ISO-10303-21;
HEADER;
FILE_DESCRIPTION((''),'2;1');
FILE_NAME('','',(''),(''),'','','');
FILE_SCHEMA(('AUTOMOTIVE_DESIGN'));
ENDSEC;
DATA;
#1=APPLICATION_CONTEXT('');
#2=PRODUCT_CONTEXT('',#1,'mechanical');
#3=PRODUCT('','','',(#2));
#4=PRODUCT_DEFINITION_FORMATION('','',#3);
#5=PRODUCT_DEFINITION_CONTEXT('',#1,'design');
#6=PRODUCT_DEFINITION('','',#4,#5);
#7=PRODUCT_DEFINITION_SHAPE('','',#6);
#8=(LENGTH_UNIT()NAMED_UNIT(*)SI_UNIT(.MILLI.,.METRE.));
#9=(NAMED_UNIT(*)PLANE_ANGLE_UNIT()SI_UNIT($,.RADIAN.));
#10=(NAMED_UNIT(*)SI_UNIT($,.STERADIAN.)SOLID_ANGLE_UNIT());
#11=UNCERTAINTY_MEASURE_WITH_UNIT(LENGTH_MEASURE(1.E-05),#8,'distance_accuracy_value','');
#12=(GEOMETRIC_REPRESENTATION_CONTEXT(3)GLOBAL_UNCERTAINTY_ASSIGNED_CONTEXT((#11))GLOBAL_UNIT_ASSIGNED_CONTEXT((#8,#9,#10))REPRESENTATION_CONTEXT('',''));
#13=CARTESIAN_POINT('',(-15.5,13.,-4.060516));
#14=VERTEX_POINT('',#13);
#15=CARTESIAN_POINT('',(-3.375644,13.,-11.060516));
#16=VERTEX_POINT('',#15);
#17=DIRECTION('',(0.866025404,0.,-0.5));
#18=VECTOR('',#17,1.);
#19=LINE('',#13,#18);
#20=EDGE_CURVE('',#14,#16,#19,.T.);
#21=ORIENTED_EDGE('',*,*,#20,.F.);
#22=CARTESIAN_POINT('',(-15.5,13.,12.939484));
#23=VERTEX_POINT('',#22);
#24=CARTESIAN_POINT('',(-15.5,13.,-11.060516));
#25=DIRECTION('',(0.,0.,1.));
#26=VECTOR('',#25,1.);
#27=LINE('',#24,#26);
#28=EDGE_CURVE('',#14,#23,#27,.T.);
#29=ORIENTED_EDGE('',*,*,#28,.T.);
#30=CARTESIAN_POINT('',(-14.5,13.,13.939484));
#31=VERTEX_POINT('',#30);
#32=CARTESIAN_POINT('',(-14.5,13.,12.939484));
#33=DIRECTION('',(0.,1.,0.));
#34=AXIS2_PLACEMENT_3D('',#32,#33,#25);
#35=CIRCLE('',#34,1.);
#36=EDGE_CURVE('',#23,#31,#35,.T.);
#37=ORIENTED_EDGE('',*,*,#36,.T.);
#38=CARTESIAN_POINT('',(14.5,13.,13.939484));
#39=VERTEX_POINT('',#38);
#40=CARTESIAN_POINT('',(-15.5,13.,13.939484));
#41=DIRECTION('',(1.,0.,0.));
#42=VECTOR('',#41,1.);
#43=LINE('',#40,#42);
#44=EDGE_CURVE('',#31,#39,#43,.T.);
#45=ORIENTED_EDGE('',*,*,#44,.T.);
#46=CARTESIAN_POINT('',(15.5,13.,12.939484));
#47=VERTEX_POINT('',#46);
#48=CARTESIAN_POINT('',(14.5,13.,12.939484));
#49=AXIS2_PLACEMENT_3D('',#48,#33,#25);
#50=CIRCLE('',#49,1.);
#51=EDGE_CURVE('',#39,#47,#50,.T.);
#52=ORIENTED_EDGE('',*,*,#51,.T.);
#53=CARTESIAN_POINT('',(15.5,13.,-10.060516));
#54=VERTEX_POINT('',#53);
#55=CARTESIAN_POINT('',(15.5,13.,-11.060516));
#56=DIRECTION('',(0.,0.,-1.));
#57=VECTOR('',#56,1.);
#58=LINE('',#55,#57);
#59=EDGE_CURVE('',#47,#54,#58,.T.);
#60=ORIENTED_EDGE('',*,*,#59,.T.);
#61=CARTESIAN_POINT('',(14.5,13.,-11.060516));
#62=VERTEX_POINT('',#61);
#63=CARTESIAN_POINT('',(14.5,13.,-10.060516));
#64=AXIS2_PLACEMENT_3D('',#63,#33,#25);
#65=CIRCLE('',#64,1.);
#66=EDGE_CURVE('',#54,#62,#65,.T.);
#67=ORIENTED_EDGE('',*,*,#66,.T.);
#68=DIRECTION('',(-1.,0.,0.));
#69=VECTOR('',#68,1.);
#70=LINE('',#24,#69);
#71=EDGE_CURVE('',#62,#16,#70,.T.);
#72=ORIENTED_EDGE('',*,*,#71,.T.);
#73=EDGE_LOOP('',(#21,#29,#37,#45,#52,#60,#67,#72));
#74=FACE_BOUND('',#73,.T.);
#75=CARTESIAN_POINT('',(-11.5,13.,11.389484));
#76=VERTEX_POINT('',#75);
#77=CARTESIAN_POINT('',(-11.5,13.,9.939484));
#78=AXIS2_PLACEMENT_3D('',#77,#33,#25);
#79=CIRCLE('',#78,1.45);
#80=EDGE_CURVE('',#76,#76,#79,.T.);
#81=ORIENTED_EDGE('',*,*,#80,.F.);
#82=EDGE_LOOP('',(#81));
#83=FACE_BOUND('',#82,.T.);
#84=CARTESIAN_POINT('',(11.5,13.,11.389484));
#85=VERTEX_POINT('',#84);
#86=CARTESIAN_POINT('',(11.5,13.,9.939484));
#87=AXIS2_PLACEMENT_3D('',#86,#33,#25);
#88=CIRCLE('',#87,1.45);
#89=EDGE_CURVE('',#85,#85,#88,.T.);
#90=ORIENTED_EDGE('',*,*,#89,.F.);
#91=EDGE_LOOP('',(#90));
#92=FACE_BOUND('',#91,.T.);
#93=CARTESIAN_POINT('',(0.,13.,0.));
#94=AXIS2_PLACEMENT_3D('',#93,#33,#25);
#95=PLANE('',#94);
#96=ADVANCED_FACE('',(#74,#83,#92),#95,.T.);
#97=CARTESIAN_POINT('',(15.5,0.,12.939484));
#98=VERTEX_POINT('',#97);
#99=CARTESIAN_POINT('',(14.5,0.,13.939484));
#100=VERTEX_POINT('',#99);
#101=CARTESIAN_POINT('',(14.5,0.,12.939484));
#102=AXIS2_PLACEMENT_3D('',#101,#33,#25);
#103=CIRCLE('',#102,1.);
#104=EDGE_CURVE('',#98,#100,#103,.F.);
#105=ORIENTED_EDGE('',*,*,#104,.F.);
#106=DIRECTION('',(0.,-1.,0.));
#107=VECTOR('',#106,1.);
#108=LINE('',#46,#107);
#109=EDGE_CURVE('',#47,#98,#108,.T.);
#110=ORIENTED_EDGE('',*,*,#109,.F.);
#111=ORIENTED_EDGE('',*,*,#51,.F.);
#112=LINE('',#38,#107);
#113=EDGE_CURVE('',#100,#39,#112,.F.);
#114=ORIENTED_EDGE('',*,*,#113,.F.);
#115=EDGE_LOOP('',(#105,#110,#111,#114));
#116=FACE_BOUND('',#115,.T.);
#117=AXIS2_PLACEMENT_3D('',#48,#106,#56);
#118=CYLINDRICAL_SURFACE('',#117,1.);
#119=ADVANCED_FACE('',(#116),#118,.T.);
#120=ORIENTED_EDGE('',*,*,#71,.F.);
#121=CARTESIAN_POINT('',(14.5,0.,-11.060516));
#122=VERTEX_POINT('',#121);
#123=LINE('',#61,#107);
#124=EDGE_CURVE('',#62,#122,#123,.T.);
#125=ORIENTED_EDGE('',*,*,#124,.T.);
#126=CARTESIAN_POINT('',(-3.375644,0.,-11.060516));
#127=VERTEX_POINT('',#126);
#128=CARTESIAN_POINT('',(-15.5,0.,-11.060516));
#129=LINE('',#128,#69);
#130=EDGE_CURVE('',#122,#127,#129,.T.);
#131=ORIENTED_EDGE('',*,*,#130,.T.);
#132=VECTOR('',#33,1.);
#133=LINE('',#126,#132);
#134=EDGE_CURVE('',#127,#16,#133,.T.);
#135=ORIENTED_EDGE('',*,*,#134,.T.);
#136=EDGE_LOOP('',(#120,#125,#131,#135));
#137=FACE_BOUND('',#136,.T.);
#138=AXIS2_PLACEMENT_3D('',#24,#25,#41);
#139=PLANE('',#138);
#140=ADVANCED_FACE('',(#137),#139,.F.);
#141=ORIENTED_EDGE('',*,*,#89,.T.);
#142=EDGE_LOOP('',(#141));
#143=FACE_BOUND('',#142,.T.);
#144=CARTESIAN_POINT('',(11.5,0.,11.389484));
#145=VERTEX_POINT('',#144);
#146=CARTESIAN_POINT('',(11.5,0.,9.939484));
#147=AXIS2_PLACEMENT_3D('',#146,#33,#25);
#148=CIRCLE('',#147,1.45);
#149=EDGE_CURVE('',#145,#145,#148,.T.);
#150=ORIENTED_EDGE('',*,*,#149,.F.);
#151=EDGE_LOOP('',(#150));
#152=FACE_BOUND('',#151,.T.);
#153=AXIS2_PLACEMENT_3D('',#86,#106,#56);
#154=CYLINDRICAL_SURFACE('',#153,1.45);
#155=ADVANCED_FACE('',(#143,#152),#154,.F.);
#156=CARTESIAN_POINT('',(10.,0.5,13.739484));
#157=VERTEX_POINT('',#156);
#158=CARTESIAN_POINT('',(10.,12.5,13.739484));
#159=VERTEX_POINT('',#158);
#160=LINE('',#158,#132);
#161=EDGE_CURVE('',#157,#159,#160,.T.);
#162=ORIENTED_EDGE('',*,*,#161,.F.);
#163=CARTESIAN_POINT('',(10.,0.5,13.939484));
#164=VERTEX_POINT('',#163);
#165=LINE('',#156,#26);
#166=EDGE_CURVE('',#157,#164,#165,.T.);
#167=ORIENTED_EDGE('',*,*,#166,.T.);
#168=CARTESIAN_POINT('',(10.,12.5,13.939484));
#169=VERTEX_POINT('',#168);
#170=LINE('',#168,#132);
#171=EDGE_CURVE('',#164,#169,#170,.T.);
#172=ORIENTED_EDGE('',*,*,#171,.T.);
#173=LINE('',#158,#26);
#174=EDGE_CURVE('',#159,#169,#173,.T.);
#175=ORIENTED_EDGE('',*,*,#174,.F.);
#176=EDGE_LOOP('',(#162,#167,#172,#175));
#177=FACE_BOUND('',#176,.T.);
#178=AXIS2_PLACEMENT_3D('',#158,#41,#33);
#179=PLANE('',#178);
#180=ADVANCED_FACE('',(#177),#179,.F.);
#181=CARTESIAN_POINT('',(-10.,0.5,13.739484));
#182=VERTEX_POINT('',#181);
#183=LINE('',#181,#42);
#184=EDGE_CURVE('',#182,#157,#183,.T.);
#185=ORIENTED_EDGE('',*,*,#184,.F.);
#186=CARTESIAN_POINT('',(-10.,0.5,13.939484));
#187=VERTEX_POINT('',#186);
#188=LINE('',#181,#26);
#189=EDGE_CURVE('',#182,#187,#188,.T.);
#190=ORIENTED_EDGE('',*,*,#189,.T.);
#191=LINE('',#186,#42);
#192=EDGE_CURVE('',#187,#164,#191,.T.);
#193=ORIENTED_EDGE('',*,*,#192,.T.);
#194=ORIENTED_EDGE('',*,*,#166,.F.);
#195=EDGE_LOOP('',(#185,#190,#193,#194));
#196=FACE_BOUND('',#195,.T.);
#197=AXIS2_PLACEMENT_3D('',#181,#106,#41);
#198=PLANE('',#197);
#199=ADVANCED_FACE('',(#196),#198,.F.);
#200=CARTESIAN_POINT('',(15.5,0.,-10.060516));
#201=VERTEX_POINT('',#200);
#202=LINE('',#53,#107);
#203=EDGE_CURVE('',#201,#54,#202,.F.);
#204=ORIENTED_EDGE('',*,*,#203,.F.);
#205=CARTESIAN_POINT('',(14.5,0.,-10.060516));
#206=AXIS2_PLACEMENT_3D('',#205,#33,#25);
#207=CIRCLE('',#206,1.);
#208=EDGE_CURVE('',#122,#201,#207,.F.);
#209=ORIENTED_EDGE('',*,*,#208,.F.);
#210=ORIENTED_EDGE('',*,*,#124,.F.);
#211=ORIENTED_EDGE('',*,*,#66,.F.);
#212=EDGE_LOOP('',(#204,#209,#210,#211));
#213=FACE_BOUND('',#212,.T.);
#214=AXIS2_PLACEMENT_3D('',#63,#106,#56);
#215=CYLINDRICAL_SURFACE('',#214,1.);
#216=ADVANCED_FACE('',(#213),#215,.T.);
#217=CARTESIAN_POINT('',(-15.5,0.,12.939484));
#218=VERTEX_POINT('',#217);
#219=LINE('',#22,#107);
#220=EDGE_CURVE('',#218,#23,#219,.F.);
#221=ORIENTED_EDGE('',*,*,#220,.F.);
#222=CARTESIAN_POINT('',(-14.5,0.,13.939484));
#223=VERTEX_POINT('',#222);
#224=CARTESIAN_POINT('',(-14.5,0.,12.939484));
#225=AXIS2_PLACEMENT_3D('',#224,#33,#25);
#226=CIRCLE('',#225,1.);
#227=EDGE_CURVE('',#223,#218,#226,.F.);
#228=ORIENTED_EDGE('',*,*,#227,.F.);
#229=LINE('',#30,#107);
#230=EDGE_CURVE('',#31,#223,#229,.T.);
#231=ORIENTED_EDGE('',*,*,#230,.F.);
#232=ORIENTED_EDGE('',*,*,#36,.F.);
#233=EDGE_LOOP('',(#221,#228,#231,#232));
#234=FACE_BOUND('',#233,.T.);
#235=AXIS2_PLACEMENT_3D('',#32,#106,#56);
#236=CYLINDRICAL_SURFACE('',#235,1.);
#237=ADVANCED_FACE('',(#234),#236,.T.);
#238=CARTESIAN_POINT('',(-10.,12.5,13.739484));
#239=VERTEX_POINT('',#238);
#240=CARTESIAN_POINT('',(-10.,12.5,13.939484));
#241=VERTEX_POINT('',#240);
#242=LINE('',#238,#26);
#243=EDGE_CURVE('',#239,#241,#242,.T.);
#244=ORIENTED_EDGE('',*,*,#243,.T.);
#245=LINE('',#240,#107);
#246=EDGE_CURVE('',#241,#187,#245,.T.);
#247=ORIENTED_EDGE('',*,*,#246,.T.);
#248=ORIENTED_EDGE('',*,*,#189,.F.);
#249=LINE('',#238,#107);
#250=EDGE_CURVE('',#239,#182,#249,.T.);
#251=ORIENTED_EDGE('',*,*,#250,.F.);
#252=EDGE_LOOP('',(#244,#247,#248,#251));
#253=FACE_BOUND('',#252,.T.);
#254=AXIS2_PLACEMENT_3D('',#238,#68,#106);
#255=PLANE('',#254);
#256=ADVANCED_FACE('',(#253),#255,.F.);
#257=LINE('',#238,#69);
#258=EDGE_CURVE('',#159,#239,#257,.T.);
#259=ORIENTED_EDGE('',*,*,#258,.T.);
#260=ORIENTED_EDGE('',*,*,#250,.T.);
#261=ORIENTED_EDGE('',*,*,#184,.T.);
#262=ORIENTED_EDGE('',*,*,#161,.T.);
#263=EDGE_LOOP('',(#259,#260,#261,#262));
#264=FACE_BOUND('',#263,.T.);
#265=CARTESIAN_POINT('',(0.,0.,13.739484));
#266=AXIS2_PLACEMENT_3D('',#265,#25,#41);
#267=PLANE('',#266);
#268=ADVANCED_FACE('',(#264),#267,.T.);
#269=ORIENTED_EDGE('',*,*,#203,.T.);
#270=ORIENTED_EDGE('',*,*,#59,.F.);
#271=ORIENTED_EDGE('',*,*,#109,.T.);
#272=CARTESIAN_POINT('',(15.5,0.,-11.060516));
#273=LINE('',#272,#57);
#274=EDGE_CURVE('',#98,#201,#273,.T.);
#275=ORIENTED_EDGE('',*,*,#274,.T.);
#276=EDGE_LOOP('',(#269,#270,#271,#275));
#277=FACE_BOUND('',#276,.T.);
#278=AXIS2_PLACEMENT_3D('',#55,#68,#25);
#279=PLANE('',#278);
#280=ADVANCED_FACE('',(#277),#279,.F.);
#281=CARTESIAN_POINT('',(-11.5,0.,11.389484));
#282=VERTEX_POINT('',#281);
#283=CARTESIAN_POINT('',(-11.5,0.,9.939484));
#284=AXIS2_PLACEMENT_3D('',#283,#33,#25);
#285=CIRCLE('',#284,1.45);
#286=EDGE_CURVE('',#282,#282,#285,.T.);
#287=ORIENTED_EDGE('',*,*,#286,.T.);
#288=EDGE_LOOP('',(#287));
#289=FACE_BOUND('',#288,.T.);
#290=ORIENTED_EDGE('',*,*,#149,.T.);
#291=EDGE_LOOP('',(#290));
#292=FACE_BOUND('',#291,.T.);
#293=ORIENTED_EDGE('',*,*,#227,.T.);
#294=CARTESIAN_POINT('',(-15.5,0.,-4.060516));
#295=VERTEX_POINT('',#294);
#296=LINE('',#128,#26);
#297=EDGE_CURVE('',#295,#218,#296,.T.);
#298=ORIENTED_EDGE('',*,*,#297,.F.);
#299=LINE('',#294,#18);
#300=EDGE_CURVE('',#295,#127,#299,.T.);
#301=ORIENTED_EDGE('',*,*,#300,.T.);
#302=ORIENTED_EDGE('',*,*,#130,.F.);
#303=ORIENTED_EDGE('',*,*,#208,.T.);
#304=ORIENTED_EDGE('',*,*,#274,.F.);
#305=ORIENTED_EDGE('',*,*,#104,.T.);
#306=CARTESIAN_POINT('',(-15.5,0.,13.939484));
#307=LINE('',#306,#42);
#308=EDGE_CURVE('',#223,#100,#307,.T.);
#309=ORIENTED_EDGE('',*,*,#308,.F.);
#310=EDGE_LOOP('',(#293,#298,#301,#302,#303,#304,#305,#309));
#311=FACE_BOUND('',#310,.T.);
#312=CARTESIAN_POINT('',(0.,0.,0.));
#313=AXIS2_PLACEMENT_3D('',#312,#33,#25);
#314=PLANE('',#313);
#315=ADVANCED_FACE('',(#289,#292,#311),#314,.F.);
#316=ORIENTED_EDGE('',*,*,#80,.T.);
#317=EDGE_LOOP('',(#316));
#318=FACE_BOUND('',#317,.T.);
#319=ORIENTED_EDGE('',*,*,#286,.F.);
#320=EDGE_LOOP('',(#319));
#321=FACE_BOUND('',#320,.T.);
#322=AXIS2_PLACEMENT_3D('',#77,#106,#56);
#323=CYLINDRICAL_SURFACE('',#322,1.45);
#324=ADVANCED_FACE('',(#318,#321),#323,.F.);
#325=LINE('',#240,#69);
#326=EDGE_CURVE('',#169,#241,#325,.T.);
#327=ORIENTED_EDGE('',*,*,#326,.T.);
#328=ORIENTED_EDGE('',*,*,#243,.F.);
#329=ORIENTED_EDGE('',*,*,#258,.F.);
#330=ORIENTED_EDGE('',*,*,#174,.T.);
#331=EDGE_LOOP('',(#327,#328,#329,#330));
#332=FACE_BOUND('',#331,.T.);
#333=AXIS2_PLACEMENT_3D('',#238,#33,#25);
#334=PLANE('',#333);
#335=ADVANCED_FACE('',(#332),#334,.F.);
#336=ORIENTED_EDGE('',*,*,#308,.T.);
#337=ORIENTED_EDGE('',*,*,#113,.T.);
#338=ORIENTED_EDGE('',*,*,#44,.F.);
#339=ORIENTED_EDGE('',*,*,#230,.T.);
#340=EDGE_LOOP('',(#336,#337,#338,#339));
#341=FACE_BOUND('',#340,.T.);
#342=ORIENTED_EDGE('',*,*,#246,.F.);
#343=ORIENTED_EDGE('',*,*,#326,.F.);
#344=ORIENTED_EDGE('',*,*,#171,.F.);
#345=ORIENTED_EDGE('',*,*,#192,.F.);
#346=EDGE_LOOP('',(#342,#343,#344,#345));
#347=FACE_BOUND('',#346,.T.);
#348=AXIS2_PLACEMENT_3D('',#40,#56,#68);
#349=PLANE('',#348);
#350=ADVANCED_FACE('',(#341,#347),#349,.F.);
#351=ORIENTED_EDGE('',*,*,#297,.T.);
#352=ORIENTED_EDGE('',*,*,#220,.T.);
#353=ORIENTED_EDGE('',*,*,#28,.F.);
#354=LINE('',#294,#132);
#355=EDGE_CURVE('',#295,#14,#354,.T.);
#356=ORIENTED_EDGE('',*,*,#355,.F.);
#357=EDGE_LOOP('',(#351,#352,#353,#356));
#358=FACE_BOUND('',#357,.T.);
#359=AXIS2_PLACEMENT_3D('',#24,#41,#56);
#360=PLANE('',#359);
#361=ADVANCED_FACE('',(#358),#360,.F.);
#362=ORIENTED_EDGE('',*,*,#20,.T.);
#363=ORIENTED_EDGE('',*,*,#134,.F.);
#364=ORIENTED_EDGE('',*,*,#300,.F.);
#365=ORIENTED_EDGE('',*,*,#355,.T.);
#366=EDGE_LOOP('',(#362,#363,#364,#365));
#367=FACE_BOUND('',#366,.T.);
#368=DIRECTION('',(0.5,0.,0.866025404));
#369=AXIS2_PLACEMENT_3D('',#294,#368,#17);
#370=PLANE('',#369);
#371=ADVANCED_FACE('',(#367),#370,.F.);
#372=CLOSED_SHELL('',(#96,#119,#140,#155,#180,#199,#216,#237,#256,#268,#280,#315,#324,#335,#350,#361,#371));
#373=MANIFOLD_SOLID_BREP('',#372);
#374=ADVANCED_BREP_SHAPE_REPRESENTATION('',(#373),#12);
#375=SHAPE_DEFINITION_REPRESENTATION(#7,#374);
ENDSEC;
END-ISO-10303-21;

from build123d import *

# Parameters (mm, degrees)
SKETCH1_W           = 31
SKETCH1_H           = 25
SKETCH1_R           = 1.45
BOSS_EXTRUDE1_DEPTH = 13
SKETCH2_W           = 20
SKETCH2_H           = 12
CUT_EXTRUDE1_DEPTH  = 0.2
CUT_EXTRUDE2_DEPTH  = 14
FILLET1_R           = 1


with BuildPart() as part:
    # Sketch1 → Boss-Extrude1 (new body)
    with BuildSketch(Plane(origin=(0, 0, 0), x_dir=(1, 0, 0), z_dir=(0, 1, 0))):
        with Locations((0, -1.439483729)):
            Rectangle(SKETCH1_W, SKETCH1_H)
        with Locations((-11.5, -9.939483729)):
            Circle(SKETCH1_R, mode=Mode.SUBTRACT)
        with Locations((11.5, -9.939483729)):
            Circle(SKETCH1_R, mode=Mode.SUBTRACT)
    extrude(amount=BOSS_EXTRUDE1_DEPTH)

    # Sketch2 → Cut-Extrude1 (cut)
    with BuildSketch(Plane.XY.offset(13.939483729)):
        with Locations((0, 6.5)):
            Rectangle(SKETCH2_W, SKETCH2_H)
    extrude(amount=-CUT_EXTRUDE1_DEPTH, mode=Mode.SUBTRACT)

    # Sketch3 → Cut-Extrude2 (cut, through all)
    with BuildSketch(Plane(origin=(0, 13, 0), x_dir=(1, 0, 0), z_dir=(0, 1, 0))):
        Polygon((-15.5, 4.060516271), (-3.375644347, 11.060516271), (-15.5, 11.060516271), align=None)
    extrude(amount=-CUT_EXTRUDE2_DEPTH, mode=Mode.SUBTRACT)

    # Fillet1
    fillet1_edges = [part.edges().sort_by_distance(p)[0] for p in [
        (15.5, 6.5, 13.939483729),
        (-15.5, 6.5, 13.939483729),
        (15.5, 6.5, -11.060516271),
    ]]
    fillet(fillet1_edges, radius=FILLET1_R)


solid = part.part
